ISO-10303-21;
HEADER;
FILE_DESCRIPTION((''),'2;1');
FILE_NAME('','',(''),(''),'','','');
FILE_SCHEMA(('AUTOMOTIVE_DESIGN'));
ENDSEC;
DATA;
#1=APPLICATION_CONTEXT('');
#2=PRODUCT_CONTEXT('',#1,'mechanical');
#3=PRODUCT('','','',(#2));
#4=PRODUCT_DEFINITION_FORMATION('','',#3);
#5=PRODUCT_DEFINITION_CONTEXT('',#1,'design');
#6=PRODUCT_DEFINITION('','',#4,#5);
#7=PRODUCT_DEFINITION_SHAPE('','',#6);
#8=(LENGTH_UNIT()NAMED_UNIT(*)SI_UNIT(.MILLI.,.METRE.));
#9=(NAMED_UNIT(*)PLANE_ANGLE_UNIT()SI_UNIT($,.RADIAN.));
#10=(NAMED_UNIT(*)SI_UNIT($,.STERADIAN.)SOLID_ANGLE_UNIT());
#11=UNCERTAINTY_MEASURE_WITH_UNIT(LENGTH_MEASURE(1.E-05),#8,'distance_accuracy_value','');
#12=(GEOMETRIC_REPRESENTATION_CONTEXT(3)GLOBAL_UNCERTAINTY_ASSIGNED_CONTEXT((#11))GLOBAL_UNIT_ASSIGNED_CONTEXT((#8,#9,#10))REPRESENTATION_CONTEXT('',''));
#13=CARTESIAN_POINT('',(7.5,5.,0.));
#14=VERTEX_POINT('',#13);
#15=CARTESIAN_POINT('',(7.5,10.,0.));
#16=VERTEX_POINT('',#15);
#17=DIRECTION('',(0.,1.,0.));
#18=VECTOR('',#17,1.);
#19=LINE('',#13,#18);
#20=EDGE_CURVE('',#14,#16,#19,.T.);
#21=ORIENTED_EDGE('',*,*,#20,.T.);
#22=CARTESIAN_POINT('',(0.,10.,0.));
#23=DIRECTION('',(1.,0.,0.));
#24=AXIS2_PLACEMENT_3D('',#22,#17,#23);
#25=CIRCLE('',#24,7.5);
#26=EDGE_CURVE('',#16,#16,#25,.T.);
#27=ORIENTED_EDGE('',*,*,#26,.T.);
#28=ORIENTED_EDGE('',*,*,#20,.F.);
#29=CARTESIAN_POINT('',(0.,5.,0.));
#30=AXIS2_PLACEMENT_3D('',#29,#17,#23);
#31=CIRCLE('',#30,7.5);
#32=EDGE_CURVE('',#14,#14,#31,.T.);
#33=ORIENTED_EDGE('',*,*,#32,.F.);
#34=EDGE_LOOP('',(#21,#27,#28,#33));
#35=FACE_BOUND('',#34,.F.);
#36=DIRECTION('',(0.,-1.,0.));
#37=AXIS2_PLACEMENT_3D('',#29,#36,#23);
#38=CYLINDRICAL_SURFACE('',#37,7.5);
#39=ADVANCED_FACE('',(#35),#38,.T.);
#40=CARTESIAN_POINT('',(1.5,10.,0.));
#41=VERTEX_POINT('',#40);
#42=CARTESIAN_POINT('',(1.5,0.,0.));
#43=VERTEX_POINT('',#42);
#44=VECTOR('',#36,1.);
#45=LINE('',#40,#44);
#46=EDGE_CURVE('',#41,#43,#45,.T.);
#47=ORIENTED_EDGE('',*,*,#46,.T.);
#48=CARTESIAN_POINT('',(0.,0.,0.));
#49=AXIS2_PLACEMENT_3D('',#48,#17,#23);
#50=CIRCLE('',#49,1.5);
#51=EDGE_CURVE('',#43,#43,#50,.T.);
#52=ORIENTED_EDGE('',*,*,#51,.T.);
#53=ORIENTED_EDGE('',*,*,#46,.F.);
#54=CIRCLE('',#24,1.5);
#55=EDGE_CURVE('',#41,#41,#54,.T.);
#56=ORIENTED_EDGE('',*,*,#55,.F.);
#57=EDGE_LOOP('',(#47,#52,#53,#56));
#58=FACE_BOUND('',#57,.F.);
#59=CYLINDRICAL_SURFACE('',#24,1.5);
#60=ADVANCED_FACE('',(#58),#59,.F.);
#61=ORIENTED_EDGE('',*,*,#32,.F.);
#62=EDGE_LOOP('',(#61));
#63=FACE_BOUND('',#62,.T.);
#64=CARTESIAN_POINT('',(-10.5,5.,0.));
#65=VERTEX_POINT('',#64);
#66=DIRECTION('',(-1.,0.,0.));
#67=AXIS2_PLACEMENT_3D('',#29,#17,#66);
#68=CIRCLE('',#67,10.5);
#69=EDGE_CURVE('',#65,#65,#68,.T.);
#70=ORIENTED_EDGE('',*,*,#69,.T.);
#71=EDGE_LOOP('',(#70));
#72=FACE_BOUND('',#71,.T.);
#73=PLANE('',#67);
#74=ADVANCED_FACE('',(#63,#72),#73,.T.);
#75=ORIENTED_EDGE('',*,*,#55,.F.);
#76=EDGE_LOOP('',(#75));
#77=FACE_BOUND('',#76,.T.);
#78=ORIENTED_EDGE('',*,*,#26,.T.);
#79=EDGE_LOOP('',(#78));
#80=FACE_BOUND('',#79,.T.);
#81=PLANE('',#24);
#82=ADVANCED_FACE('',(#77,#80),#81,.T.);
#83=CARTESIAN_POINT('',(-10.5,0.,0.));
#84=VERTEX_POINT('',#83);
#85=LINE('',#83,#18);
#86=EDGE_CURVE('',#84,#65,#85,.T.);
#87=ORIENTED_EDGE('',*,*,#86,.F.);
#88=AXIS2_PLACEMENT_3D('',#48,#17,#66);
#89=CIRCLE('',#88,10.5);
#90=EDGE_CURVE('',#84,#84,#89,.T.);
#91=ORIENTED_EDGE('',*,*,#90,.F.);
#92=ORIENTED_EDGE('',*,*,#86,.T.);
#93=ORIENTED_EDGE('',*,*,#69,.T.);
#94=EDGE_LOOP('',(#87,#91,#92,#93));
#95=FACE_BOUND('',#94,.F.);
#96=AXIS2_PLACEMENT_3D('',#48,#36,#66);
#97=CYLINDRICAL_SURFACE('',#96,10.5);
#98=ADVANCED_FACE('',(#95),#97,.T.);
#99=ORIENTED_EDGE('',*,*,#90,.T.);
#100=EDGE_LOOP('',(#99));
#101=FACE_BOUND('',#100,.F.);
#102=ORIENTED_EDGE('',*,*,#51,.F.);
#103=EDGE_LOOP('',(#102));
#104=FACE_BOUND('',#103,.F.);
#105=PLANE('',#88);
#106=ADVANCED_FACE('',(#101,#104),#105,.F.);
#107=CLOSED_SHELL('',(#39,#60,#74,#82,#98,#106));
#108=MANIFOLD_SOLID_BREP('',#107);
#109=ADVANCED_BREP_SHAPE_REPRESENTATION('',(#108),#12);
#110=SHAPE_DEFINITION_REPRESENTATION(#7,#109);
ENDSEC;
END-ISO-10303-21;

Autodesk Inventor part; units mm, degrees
ref_plane "YZ Plane" through (0, 0, 0) normal (1, 0, 0) x (0, 1, 0)
ref_plane "XZ Plane" through (0, 0, 0) normal (0, 1, 0) x (-1, 0, 0)
ref_plane "XY Plane" through (0, 0, 0) normal (0, 0, 1) x (1, 0, 0)
sketch "Sketch1" plane through (0, 0, 0) normal (0, 1, 0) x (-1, 0, 0)
  circle A0 centre (0, 0) radius 10.5
  dimension "d0" = 21
extrude "Extrusion1" add sketch "Sketch1" along normal blind 5
sketch "Sketch2" plane through (0, 5, 0) normal (0, 1, 0) x (1, 0, 0)
  circle A0 centre (0, 0) radius 7.5
  dimension "d3" = 15
extrude "Extrusion2" add sketch "Sketch2" along normal blind 5
sketch "Sketch3" plane through (0, 10, 0) normal (0, 1, 0) x (1, 0, 0)
  circle A0 centre (0, 0) radius 1.5
  dimension "d6" = 3
extrude "Extrusion3" cut sketch "Sketch3" against normal through all
properties part number "Gear" material "Brass, Soft Yellow"
